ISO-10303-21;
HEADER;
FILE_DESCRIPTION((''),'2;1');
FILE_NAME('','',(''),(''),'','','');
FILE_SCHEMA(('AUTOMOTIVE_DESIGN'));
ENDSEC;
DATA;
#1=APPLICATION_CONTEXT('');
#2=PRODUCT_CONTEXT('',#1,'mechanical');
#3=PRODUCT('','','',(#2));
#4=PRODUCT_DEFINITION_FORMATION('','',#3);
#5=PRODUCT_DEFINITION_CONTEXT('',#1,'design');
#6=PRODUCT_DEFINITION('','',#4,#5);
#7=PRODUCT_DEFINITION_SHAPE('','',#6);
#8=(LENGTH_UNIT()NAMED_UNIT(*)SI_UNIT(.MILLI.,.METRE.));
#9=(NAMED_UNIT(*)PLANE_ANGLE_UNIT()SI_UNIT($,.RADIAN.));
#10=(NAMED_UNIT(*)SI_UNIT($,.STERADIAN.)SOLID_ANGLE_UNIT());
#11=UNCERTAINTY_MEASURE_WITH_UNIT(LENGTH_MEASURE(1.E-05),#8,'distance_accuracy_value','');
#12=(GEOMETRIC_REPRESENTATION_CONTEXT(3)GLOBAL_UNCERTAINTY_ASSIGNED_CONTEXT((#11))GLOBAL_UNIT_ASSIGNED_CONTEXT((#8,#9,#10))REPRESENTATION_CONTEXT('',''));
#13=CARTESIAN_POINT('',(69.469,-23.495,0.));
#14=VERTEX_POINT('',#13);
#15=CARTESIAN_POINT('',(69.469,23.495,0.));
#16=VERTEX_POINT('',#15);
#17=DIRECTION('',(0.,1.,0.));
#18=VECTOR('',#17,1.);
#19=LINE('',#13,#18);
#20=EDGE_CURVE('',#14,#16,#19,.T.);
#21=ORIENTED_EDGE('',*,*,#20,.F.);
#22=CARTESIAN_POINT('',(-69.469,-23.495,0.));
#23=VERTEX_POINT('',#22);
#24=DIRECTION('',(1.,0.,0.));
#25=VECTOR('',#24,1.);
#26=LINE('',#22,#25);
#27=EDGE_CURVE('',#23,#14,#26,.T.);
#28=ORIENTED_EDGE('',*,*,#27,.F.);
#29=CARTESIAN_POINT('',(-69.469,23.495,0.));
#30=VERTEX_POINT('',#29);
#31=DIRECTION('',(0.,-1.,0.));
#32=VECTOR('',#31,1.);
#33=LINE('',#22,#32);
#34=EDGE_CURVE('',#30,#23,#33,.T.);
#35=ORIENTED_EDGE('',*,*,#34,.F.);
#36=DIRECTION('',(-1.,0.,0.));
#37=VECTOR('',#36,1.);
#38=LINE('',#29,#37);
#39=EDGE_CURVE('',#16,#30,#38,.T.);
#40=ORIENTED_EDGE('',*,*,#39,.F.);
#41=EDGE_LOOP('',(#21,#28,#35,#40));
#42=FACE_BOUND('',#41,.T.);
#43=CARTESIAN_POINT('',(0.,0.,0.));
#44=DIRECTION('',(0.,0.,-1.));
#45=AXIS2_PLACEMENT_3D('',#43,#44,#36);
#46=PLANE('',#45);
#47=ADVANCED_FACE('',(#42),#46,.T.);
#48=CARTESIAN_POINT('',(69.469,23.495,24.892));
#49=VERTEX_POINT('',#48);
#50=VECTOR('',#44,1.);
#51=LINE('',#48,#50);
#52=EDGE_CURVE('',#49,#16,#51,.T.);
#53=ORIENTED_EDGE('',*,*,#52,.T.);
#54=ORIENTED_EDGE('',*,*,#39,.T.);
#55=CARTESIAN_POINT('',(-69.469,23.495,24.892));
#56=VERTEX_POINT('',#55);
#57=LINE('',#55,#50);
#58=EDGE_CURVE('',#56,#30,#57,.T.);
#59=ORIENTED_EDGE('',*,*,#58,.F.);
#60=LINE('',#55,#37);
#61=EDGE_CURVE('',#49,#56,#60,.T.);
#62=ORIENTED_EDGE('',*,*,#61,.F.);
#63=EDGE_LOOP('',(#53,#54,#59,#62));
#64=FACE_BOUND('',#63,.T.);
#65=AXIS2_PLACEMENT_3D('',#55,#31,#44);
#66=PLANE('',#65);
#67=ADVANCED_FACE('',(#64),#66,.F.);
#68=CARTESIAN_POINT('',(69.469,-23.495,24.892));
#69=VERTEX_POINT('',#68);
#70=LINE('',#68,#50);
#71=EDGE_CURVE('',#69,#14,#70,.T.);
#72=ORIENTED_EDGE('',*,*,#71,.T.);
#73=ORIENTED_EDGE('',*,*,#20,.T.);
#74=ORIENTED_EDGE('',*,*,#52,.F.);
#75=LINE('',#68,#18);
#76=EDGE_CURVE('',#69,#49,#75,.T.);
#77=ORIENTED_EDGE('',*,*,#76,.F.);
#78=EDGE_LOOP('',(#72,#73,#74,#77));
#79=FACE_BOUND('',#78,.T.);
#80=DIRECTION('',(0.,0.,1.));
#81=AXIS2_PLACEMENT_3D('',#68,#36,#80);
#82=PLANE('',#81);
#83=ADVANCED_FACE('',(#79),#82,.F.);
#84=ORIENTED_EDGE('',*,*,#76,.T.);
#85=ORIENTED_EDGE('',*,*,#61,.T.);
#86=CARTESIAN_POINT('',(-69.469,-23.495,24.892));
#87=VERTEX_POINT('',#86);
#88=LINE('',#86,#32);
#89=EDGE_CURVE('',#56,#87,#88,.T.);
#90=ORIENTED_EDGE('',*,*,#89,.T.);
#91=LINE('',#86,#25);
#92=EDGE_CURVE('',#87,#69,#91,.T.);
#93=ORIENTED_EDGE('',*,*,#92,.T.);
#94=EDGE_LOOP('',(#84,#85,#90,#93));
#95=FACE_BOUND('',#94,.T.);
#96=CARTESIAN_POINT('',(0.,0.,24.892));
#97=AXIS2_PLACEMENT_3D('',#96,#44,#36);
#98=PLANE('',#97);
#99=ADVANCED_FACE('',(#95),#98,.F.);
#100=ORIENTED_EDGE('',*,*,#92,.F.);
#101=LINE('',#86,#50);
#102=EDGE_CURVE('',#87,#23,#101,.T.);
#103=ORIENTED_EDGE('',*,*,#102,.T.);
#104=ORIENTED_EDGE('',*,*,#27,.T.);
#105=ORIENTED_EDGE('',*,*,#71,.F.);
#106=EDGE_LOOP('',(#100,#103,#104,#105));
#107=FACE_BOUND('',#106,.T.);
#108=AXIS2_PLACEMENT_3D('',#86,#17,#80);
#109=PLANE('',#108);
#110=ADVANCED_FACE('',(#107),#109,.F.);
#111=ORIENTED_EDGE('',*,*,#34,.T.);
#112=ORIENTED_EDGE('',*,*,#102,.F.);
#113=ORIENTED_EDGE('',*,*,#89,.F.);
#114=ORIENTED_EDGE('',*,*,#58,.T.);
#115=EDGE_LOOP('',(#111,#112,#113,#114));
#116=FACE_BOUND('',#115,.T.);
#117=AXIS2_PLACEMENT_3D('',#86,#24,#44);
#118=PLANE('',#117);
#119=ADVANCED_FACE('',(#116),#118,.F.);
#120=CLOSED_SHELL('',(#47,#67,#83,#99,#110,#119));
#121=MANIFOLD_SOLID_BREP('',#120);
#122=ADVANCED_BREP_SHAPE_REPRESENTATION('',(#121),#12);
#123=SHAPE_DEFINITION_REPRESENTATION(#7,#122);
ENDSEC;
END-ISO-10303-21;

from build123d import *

# Parameters (mm, degrees)
SKETCH1_W           = 138.938
SKETCH1_H           = 46.99
BOSS_EXTRUDE1_DEPTH = 24.892


with BuildPart() as part:
    # Sketch1 → Boss-Extrude1 (new body)
    with BuildSketch(Plane.XY):
        Rectangle(SKETCH1_W, SKETCH1_H)
    extrude(amount=BOSS_EXTRUDE1_DEPTH)


solid = part.part
